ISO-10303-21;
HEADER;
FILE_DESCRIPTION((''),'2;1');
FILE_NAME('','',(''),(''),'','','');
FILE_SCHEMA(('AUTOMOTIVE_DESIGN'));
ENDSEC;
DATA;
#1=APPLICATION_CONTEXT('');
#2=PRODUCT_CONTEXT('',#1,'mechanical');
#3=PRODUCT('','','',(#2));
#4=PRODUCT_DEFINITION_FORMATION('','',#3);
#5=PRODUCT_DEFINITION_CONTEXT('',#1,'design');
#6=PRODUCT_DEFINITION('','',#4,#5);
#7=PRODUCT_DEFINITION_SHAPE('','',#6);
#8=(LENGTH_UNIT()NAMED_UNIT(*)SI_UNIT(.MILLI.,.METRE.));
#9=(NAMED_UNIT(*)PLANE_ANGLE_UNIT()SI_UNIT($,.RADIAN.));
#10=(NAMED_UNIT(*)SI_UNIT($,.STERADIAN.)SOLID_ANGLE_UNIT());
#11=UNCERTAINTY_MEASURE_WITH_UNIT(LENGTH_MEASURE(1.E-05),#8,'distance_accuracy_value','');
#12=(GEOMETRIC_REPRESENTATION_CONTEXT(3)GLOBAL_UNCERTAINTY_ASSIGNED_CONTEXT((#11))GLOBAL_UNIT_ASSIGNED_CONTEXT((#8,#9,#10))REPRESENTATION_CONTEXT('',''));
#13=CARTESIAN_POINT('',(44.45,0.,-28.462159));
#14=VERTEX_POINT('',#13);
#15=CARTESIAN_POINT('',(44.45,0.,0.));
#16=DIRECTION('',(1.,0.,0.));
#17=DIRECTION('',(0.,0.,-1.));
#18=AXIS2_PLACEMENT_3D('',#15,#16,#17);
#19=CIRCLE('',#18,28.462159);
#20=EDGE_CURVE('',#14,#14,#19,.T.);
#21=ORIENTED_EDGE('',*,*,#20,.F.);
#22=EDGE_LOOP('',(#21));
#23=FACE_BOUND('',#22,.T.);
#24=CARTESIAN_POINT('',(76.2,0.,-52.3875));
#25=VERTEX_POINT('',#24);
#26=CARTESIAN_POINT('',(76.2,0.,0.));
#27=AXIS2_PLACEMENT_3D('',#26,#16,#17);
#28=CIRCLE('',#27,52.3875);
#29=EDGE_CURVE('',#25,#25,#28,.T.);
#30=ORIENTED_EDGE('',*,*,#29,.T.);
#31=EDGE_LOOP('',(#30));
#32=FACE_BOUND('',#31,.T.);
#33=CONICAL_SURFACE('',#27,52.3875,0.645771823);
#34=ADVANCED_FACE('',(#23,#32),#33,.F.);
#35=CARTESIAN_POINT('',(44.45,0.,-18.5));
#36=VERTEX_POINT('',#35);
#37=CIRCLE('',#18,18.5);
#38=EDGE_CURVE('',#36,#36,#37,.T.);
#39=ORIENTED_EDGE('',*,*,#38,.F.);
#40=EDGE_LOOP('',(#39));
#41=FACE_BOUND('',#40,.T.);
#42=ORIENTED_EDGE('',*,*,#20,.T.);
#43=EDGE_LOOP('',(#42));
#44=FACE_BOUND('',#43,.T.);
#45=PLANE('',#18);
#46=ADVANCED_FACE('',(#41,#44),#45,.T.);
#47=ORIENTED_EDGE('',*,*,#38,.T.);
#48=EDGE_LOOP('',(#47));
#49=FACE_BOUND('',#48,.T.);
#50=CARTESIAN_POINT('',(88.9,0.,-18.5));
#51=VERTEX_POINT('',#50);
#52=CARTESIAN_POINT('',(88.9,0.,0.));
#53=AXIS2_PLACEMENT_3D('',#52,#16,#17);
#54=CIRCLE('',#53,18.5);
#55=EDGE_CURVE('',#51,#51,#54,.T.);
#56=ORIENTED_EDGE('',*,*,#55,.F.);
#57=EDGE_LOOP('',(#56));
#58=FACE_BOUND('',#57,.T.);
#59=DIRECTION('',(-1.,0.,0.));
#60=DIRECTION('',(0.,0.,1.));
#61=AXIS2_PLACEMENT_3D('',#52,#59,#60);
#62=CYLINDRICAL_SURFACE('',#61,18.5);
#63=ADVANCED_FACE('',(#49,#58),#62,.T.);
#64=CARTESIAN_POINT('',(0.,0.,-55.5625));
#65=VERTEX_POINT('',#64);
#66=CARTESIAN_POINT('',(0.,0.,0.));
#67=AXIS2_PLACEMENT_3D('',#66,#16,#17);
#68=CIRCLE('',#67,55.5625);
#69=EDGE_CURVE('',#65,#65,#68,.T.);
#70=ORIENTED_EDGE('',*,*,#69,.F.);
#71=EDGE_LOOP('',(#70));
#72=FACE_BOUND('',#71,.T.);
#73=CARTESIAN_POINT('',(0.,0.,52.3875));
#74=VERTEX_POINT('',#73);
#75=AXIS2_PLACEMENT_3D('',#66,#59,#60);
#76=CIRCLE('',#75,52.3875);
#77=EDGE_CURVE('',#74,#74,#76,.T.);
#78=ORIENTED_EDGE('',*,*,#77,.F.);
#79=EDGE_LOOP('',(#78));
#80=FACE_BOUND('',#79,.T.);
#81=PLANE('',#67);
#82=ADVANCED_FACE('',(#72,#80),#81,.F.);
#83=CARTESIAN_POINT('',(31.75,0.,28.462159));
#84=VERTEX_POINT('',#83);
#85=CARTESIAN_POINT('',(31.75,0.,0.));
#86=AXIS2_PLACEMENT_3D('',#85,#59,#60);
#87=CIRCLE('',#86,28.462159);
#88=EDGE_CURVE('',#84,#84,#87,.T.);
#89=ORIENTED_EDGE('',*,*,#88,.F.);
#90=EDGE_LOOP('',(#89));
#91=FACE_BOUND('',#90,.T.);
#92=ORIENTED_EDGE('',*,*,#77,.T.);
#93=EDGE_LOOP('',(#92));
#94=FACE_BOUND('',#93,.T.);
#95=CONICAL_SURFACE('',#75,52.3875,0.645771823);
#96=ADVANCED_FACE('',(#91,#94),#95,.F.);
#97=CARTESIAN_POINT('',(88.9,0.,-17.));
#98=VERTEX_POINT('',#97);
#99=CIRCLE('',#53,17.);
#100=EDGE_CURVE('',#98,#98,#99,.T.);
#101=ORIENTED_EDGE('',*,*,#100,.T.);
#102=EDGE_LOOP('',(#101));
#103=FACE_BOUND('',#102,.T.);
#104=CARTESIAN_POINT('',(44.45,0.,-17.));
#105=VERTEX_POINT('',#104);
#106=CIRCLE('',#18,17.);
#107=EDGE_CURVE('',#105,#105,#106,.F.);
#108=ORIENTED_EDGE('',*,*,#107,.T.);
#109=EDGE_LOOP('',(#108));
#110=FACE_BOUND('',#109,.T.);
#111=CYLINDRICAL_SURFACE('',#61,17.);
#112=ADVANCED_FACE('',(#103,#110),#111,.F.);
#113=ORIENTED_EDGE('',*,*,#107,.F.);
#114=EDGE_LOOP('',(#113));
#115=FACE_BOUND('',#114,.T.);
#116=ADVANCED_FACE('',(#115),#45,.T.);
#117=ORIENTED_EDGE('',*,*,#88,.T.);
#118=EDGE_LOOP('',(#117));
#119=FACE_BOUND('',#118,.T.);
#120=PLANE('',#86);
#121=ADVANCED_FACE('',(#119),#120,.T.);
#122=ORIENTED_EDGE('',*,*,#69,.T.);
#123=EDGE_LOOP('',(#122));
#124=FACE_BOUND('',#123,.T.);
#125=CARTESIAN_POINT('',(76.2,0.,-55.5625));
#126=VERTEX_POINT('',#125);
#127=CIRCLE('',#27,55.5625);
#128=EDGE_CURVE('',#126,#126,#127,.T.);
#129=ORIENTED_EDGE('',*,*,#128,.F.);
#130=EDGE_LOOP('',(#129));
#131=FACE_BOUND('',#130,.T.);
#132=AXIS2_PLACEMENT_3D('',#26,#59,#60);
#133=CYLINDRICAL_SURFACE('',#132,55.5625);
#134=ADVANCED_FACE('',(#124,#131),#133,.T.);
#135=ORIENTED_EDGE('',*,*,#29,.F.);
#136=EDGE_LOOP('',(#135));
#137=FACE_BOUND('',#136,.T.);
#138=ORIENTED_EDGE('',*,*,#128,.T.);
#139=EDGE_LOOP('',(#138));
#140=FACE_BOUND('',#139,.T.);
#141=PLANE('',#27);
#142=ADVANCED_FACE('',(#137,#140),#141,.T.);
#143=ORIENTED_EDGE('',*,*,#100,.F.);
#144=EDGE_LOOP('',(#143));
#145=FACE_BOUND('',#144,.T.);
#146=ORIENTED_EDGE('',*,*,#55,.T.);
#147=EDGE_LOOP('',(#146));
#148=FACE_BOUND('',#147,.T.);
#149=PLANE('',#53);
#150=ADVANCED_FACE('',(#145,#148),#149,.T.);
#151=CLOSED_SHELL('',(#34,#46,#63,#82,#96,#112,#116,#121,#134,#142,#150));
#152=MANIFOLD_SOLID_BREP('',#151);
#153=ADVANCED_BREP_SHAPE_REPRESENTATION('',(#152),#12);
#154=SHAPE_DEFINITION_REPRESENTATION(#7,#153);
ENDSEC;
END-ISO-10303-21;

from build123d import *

# Parameters (mm, degrees)
SKETCH1_R           = 55.5625
BOSS_EXTRUDE1_DEPTH = 76.2
SKETCH2_R           = 52.3875
CUT_EXTRUDE1_DEPTH  = 31.75
CUT_EXTRUDE1_TAPER  = 37
SKETCH3_R           = 52.3875
CUT_EXTRUDE2_DEPTH  = 31.75
CUT_EXTRUDE2_TAPER  = 37
SKETCH4_R           = 18.5
SKETCH4_R_2         = 17
BOSS_EXTRUDE2_DEPTH = 44.45


with BuildPart() as part:
    # Sketch1 → Boss-Extrude1 (new body)
    with BuildSketch(Plane(origin=(0, 0, 0), x_dir=(0, 0, -1), z_dir=(1, 0, 0))):
        Circle(SKETCH1_R)
    extrude(amount=BOSS_EXTRUDE1_DEPTH)

    # Sketch2 → Cut-Extrude1 (cut)
    with BuildSketch(Plane(origin=(76.2, 0, 0), x_dir=(0, 0, -1), z_dir=(1, 0, 0))):
        Circle(SKETCH2_R)
    extrude(amount=-CUT_EXTRUDE1_DEPTH, taper=CUT_EXTRUDE1_TAPER, mode=Mode.SUBTRACT)

    # Sketch3 → Cut-Extrude2 (cut)
    with BuildSketch(Plane.ZY):
        Circle(SKETCH3_R)
    extrude(amount=-CUT_EXTRUDE2_DEPTH, taper=CUT_EXTRUDE2_TAPER, mode=Mode.SUBTRACT)

    # Sketch4 → Boss-Extrude2 (add)
    with BuildSketch(Plane(origin=(44.45, 0, 0), x_dir=(0, 0, -1), z_dir=(1, 0, 0))):
        Circle(SKETCH4_R)
        Circle(SKETCH4_R_2, mode=Mode.SUBTRACT)
    extrude(amount=BOSS_EXTRUDE2_DEPTH)


solid = part.part
